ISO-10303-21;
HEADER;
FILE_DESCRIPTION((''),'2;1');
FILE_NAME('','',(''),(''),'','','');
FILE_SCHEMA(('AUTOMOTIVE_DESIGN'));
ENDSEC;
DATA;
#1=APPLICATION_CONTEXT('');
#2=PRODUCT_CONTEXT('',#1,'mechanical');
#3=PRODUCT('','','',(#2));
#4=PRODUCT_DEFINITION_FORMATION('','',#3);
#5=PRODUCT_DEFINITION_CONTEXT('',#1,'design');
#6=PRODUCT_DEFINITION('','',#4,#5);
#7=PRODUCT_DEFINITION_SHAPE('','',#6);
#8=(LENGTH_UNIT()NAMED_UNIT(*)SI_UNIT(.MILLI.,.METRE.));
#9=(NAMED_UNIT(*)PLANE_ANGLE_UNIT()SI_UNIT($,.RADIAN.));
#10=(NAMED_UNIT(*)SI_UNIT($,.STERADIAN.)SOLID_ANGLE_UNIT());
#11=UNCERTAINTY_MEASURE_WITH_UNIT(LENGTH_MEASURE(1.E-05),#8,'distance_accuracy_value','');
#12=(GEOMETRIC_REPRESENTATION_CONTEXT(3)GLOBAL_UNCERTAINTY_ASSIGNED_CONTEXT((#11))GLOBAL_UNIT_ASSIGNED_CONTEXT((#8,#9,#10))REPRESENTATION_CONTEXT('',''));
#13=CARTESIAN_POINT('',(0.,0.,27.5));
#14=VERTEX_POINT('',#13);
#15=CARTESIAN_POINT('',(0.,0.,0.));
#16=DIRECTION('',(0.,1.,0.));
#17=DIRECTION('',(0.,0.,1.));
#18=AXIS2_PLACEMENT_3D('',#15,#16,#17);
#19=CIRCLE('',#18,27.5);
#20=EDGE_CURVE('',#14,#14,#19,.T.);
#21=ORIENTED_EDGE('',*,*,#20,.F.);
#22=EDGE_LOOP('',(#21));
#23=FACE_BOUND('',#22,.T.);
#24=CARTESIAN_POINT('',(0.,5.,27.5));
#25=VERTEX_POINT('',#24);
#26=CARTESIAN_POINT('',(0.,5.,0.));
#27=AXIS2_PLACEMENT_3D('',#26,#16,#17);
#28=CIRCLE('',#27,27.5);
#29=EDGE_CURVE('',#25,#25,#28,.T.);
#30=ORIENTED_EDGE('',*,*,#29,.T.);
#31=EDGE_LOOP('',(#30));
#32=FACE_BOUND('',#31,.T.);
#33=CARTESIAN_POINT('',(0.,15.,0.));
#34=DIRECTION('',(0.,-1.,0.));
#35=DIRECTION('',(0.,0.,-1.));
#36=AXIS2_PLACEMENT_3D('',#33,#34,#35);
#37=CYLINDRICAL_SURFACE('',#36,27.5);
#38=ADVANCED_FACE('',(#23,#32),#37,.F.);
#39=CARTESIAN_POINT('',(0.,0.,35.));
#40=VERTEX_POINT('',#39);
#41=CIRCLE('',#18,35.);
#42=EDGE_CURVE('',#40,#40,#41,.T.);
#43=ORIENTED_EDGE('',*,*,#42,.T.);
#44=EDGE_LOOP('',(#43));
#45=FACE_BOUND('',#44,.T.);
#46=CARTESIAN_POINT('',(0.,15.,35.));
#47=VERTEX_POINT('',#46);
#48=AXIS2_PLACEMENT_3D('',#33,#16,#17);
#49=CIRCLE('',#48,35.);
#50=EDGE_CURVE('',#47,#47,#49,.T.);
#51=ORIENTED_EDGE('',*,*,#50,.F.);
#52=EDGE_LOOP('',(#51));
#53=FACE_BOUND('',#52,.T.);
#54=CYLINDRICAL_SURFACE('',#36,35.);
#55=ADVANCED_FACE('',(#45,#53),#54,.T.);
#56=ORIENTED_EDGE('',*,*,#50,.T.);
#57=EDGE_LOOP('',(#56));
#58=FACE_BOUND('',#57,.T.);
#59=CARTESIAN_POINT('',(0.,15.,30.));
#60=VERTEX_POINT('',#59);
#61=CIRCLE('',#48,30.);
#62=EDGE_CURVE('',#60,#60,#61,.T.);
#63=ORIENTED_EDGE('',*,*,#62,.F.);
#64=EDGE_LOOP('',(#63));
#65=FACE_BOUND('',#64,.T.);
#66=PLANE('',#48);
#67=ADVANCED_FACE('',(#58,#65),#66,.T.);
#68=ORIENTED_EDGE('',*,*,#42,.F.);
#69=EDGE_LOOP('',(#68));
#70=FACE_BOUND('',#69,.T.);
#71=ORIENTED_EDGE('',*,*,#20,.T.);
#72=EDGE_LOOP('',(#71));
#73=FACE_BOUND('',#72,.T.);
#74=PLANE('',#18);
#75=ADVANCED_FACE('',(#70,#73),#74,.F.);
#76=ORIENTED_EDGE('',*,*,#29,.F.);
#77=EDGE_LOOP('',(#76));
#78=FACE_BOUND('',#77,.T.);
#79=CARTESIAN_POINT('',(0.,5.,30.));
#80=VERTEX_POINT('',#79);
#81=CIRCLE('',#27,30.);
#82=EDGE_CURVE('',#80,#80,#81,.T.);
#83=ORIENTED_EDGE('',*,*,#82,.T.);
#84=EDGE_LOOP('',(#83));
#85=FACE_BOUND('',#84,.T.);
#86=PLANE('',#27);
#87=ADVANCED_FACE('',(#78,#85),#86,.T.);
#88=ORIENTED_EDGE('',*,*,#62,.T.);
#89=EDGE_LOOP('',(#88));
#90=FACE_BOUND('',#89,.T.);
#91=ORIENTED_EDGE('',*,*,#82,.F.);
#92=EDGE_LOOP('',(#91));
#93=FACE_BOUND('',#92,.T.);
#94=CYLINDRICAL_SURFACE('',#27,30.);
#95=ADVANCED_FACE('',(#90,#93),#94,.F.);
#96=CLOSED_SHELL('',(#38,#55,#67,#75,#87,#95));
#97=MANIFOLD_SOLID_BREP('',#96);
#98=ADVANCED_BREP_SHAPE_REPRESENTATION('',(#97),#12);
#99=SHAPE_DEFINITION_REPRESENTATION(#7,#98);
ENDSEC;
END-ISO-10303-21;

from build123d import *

# Parameters (mm, degrees)
SKETCH1_R      = 35
SKETCH1_R_2    = 27.5
EXTRUDE1_DEPTH = 15
SKETCH3_R      = 30
EXTRUDE3_DEPTH = 10


with BuildPart() as part:
    # Sketch1 → Extrude1 (new body)
    with BuildSketch(Plane(origin=(0, 0, 0), x_dir=(1, 0, 0), z_dir=(0, 1, 0))):
        with Locations(Location((0, 0, 0), (0, 0, 270))):
            Circle(SKETCH1_R)
        with Locations(Location((0, 0, 0), (0, 0, 270))):
            Circle(SKETCH1_R_2, mode=Mode.SUBTRACT)
    extrude(amount=EXTRUDE1_DEPTH)

    # Sketch3 → Extrude3 (cut)
    with BuildSketch(Plane(origin=(0, 15, 0), x_dir=(1, 0, 0), z_dir=(0, 1, 0))):
        with Locations(Location((0, 0, 0), (0, 0, 270))):
            Circle(SKETCH3_R)
    extrude(amount=-EXTRUDE3_DEPTH, mode=Mode.SUBTRACT)


solid = part.part
